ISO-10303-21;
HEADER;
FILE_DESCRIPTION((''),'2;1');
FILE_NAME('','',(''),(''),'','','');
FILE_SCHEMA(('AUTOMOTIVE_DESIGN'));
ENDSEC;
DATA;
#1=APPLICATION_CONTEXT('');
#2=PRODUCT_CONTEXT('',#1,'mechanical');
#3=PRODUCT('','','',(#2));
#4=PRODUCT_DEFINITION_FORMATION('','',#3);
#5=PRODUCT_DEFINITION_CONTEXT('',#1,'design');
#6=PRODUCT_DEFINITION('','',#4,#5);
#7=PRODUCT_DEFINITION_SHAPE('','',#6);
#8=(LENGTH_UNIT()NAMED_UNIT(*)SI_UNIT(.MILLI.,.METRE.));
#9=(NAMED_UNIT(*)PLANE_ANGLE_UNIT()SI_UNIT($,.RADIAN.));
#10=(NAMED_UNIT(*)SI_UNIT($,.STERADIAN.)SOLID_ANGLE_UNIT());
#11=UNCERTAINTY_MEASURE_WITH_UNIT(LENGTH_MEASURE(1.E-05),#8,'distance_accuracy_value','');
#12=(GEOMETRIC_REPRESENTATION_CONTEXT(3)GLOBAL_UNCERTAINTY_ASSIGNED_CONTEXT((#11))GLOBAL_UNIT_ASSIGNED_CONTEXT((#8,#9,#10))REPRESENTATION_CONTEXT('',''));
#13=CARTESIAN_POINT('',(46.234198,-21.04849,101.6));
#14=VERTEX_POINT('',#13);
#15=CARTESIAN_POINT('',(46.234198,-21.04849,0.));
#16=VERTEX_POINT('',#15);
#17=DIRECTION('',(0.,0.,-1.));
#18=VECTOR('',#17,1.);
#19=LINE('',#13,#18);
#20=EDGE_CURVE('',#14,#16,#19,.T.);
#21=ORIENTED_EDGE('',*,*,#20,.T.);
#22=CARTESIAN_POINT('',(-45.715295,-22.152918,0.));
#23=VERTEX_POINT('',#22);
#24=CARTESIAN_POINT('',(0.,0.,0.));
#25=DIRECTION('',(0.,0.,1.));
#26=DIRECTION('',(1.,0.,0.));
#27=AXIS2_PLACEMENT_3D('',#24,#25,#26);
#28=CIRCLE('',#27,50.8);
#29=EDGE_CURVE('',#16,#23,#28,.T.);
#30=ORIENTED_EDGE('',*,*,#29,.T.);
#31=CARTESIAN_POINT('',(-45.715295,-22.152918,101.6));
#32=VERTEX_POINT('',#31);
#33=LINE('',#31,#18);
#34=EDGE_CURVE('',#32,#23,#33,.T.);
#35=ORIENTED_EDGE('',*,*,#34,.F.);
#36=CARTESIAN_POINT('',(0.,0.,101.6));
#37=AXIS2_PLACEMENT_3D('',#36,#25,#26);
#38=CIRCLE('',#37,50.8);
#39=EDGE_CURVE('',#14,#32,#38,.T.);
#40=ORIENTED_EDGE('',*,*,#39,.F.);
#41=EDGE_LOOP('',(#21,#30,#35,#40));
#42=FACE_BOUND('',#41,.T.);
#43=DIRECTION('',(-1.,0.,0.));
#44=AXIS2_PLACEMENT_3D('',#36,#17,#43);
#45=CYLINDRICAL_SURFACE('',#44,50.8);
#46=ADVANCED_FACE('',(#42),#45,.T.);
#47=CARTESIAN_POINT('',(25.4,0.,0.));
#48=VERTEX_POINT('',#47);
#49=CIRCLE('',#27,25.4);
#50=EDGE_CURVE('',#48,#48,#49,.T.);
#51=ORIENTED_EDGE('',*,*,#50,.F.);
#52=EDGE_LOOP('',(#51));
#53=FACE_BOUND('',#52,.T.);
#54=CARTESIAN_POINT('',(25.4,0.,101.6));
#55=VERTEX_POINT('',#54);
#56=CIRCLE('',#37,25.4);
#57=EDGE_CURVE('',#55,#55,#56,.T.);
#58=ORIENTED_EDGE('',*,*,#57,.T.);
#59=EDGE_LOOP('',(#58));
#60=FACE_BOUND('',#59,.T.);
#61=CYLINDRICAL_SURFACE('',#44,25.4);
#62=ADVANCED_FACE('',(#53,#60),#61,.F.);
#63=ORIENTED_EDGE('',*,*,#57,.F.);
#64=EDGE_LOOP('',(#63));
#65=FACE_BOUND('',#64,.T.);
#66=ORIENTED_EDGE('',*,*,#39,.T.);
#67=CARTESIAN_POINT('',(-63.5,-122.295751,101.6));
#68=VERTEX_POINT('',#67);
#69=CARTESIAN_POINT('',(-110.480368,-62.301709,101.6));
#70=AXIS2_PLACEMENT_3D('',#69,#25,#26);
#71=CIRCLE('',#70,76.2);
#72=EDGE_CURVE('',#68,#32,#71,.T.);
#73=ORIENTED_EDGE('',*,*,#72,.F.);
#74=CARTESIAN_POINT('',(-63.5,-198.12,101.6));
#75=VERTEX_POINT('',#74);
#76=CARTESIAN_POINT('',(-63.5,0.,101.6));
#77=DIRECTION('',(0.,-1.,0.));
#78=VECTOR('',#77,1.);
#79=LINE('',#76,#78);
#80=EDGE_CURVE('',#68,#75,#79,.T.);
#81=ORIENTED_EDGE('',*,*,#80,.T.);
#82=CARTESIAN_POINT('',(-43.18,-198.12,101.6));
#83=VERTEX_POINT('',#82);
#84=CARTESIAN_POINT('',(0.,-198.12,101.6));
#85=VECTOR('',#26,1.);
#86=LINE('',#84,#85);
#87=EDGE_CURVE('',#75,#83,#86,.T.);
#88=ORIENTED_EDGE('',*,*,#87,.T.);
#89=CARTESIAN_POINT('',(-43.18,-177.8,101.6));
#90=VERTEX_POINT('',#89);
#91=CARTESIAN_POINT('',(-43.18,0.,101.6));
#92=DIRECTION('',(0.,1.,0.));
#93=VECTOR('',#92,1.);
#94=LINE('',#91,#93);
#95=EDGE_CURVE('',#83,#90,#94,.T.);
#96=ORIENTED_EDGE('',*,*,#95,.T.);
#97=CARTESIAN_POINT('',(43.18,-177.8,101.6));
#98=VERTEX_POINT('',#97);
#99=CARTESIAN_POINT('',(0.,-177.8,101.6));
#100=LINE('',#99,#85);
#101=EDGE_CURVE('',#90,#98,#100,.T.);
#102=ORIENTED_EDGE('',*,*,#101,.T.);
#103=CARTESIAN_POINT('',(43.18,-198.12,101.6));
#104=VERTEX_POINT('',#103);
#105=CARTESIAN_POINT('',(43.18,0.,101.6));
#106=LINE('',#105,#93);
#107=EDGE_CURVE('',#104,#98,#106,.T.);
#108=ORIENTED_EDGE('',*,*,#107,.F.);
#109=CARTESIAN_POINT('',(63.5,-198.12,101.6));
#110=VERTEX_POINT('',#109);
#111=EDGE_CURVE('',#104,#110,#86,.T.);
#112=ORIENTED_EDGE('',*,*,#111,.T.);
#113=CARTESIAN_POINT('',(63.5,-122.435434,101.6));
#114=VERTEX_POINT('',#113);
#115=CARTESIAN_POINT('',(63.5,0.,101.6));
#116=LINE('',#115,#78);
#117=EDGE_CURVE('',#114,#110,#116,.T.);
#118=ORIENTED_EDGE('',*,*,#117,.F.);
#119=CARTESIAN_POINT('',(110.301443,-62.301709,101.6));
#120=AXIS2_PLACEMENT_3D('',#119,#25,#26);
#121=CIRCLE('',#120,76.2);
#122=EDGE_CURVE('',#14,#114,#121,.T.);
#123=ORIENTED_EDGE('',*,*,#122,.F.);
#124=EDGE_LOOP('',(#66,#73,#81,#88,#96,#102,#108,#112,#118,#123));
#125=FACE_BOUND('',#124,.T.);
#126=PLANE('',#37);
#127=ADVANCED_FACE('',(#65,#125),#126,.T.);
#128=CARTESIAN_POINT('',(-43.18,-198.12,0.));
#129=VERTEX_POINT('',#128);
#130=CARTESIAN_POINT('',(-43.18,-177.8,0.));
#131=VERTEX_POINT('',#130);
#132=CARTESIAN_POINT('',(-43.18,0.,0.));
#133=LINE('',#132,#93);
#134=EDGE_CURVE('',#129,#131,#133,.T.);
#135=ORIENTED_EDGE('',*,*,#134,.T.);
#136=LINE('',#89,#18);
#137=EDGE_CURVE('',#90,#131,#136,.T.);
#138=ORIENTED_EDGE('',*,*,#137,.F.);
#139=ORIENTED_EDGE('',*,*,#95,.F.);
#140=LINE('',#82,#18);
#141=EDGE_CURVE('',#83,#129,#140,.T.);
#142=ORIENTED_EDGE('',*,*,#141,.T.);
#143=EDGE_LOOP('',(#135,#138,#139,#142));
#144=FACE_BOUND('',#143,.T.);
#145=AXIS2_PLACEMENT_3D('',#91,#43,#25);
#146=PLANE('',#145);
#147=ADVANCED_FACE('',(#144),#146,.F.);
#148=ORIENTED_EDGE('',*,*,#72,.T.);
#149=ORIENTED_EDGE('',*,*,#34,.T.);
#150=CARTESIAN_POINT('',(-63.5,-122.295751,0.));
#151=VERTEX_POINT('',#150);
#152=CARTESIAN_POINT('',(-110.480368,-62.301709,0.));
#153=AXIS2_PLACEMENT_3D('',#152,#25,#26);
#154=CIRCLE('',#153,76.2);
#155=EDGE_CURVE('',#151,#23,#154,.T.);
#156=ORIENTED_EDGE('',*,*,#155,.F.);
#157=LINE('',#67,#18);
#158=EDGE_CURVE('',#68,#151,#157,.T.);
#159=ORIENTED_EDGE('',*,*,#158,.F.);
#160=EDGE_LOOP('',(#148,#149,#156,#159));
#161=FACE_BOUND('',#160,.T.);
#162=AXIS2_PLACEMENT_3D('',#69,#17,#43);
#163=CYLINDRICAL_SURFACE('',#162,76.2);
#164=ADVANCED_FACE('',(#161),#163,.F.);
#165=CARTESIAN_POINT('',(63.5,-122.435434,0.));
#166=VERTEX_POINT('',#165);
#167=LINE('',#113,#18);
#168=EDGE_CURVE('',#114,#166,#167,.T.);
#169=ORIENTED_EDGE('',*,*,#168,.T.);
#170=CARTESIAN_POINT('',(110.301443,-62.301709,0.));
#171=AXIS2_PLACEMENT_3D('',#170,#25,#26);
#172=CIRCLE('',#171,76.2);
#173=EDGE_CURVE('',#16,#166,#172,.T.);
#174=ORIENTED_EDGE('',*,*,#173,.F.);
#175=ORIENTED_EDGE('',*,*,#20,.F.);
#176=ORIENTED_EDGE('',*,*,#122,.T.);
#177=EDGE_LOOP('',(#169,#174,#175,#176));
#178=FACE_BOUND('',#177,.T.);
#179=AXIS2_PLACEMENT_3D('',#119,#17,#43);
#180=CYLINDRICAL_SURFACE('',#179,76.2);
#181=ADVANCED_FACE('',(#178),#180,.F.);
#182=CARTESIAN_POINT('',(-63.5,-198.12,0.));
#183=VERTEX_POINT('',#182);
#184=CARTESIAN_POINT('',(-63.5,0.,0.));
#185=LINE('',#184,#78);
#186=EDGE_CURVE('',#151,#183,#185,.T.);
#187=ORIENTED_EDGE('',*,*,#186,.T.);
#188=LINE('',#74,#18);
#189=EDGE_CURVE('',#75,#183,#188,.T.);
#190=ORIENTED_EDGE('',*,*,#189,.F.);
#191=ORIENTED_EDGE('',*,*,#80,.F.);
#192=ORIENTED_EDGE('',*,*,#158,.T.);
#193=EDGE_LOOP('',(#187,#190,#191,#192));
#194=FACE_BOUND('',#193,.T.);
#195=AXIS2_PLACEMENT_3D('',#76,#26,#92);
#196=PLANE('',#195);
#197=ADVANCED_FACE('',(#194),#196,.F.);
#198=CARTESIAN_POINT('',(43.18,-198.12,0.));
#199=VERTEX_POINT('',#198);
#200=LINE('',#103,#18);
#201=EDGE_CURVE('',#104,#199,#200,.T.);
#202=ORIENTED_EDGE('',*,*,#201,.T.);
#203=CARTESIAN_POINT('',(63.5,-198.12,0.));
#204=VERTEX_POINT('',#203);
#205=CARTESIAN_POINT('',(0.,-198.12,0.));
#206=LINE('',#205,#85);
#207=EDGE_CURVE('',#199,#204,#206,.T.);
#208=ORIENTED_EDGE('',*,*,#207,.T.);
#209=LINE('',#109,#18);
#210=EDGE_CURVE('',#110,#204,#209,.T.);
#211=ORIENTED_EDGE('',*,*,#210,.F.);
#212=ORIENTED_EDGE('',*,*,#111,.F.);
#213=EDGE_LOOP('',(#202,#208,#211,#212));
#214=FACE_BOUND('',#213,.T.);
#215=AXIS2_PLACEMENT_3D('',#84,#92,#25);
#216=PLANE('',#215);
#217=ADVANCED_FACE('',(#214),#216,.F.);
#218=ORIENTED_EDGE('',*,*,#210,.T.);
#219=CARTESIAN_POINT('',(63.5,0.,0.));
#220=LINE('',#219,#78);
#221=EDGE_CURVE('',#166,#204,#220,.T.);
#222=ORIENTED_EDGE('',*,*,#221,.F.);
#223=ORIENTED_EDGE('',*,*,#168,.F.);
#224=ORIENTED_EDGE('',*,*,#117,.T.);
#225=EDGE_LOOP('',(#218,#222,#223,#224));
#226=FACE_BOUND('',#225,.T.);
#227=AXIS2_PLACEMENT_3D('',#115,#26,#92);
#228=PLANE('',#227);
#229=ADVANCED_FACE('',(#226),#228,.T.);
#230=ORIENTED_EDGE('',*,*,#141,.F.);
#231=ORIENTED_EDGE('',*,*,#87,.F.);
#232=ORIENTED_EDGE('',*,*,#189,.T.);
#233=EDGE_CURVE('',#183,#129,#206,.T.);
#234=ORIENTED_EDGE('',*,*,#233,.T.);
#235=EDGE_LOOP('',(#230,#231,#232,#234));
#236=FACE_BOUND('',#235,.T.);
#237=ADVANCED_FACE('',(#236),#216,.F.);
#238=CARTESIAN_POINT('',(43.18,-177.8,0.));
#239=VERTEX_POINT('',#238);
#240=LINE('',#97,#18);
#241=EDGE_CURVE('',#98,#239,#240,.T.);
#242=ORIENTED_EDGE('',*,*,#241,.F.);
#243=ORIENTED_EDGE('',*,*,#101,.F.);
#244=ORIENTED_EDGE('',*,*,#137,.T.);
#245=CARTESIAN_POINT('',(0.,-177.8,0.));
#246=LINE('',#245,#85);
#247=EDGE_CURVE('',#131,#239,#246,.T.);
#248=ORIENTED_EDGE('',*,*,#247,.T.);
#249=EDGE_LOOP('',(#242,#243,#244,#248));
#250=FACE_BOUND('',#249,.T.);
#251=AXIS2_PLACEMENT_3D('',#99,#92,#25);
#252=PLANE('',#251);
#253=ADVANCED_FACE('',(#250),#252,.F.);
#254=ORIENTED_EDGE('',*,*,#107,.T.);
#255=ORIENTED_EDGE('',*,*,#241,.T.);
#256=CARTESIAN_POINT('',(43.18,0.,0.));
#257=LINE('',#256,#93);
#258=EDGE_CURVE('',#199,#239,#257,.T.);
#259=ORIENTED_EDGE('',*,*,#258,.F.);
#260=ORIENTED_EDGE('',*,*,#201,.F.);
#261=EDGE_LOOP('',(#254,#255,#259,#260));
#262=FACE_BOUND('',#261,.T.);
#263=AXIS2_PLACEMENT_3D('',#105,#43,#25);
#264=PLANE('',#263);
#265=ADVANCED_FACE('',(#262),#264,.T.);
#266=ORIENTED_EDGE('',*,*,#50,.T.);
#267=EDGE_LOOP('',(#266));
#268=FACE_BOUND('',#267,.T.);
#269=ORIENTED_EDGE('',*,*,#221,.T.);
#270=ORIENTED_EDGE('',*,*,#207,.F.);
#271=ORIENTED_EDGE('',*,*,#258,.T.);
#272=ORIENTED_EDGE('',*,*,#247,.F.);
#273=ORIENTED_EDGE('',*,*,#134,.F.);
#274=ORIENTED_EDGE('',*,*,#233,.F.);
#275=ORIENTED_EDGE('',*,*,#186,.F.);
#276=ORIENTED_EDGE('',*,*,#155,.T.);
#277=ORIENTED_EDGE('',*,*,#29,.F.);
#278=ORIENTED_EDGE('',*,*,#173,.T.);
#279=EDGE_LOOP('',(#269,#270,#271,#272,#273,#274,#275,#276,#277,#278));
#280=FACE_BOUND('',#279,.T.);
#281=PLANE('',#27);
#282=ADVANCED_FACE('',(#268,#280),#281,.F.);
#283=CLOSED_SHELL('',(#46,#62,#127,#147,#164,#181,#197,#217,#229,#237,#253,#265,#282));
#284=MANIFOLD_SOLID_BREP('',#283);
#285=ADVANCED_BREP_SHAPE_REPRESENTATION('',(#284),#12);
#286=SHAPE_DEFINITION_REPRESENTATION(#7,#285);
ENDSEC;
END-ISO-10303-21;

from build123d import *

# Parameters (mm, degrees)
SKETCH1_R           = 25.4
BOSS_EXTRUDE1_DEPTH = 101.6


with BuildPart() as part:
    # Sketch1 → Boss-Extrude1 (new body)
    with BuildSketch(Plane.XY):
        with BuildLine():
            Line((43.18, -177.8), (43.18, -198.12))
            Line((43.18, -198.12), (63.5, -198.12))
            Line((63.5, -198.12), (63.5, -122.435433935))
            ThreePointArc((63.5, -122.435433935), (36.049391603, -79.421078062), (41.89548787, -28.729916397))
            ThreePointArc((41.89548787, -28.729916397), (43.95358505, -24.826361045), (46.234198191, -21.048489675))
            ThreePointArc((46.234198191, -21.048489675), (-0.610127533, 50.796335935), (-45.715295245, -22.152918107))
            ThreePointArc((-45.715295245, -22.152918107), (-44.106525914, -24.87240035), (-42.611881246, -27.65623938))
            ThreePointArc((-42.611881246, -27.65623938), (-36.071200921, -78.724738597), (-63.5, -122.295750663))
            Line((-63.5, -122.295750663), (-63.5, -198.12))
            Line((-63.5, -198.12), (-43.18, -198.12))
            Line((-43.18, -198.12), (-43.18, -177.8))
            Line((-43.18, -177.8), (43.18, -177.8))
        make_face()
        Circle(SKETCH1_R, mode=Mode.SUBTRACT)
    extrude(amount=BOSS_EXTRUDE1_DEPTH)


solid = part.part
